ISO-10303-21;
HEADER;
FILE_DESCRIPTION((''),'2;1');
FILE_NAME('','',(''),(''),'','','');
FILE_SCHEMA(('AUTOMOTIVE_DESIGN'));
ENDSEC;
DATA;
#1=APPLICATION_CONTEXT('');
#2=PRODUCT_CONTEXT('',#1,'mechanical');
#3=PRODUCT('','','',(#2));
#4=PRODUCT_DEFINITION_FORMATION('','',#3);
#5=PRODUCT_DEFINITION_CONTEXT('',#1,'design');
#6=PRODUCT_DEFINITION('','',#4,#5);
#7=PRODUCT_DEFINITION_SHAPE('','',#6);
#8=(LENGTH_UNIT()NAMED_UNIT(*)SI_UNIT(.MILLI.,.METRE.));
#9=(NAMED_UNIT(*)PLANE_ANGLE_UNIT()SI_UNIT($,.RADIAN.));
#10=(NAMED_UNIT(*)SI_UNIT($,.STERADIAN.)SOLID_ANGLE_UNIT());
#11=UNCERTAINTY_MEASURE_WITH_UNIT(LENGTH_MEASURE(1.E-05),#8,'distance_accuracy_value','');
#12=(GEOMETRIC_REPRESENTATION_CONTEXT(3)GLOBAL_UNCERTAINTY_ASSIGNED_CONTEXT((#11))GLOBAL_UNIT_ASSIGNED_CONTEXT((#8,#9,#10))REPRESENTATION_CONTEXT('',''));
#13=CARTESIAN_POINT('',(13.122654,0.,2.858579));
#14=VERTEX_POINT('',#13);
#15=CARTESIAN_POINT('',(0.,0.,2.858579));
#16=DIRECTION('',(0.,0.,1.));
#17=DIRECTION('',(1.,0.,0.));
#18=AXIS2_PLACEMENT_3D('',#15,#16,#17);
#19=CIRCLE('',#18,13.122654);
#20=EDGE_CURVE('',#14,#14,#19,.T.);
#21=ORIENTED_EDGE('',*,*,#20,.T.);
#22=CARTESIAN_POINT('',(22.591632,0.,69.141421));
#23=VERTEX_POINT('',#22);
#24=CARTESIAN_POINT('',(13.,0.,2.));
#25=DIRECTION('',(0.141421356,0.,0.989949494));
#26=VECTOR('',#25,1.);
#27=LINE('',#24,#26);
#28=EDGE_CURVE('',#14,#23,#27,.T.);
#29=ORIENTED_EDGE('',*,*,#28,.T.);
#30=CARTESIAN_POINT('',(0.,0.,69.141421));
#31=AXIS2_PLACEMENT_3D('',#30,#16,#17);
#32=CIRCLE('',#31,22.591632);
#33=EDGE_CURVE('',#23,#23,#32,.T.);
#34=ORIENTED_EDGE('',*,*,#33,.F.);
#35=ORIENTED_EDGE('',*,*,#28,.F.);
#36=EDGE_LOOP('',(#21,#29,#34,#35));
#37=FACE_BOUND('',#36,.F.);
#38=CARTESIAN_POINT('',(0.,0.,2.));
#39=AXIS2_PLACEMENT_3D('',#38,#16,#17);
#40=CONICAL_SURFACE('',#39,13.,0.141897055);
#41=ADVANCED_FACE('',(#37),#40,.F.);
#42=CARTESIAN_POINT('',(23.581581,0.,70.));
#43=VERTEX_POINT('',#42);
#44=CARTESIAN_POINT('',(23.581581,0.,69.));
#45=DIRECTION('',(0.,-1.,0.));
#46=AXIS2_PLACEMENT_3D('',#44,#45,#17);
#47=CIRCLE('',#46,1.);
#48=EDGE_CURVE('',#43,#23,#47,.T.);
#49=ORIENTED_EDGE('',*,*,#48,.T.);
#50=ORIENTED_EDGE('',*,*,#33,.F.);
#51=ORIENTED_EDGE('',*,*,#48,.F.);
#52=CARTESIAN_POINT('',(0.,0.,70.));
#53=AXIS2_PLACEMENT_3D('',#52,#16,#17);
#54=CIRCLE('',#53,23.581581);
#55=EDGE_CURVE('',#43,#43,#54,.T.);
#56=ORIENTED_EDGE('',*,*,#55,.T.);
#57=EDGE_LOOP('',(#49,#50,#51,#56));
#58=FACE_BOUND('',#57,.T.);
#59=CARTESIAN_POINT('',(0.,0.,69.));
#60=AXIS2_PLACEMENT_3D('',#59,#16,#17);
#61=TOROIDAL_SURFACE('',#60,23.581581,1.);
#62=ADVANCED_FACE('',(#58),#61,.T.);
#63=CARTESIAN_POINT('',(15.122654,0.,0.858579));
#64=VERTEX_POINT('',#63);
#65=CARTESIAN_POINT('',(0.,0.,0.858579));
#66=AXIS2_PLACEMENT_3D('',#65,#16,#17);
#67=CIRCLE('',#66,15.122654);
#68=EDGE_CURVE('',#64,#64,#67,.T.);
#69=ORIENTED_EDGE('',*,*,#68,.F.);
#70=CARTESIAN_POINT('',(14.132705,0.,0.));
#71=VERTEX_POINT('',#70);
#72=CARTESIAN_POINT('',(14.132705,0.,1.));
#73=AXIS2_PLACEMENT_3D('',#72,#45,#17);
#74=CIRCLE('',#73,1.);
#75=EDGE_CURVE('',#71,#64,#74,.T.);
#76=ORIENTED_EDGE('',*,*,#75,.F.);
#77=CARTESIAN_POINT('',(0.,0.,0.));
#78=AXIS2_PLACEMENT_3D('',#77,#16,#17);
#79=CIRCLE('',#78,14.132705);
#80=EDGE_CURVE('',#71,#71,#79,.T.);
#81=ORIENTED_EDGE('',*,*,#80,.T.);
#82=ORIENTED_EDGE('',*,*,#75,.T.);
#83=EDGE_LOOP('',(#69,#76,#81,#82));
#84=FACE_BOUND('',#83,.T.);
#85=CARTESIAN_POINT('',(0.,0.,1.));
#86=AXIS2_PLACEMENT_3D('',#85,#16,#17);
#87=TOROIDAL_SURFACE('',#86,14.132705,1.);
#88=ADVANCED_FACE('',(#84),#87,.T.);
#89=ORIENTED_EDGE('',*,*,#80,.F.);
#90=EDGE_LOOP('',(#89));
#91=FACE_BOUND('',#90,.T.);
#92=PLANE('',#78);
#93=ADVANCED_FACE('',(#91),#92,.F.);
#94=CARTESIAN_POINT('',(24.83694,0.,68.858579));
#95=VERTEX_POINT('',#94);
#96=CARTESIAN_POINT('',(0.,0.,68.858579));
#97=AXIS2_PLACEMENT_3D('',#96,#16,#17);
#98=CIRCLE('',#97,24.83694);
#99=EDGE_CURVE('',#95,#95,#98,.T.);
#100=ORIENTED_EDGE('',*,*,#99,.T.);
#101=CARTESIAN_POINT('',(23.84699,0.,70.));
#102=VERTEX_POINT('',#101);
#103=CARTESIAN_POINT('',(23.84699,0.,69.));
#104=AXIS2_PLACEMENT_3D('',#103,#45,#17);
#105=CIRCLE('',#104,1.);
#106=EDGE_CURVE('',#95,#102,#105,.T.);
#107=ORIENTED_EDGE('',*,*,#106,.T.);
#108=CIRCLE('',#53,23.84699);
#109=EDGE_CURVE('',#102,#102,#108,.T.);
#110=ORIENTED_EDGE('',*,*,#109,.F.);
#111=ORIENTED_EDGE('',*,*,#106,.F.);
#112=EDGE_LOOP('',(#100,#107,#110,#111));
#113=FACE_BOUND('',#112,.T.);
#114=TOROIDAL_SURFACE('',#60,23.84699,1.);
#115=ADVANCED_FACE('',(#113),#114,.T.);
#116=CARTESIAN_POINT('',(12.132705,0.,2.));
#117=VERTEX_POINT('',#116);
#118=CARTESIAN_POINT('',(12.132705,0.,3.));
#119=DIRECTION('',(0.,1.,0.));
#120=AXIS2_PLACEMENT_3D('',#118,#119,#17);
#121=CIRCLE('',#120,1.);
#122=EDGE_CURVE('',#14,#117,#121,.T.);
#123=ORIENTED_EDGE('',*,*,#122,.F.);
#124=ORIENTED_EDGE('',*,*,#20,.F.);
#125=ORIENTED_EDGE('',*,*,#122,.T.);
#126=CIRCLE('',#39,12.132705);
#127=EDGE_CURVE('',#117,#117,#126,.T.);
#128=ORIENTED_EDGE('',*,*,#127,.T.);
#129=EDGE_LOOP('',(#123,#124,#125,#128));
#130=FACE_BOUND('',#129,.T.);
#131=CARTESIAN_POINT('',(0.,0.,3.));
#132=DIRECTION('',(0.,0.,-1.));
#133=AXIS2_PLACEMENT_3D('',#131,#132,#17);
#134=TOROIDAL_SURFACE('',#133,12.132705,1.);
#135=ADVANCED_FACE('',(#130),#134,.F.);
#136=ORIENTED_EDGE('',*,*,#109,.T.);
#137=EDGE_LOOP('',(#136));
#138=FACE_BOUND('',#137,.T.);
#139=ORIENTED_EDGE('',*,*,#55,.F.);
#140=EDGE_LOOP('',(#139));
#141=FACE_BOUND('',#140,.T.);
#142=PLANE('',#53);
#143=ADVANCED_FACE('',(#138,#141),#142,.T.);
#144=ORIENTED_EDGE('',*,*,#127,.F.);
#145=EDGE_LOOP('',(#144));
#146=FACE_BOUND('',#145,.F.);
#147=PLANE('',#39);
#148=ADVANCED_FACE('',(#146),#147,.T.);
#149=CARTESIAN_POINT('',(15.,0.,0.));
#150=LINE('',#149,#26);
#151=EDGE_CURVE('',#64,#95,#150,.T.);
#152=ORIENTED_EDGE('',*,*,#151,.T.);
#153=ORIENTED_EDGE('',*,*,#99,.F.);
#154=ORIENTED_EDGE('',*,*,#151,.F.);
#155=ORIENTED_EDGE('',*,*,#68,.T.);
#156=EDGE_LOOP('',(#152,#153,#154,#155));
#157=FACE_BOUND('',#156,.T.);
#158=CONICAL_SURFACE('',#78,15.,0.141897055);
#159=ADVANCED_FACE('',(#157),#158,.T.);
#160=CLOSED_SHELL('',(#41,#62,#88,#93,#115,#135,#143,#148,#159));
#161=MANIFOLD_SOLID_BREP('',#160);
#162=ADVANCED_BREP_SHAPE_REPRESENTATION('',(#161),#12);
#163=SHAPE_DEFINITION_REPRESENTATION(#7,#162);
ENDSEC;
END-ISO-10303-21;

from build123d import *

# Parameters (mm, degrees)
FILLET_R = 1


with BuildPart() as cone001:
    # Cone001 → Cone001 (revolve)
    with BuildSketch(Plane(origin=(0, 0, 2), x_dir=(1, 0, 0), z_dir=(0, -1, 0))):
        Polygon((0, 0), (13, 0), (23, 70), (0, 70), align=None)
    revolve(axis=Axis((0, 0, 2), (0, 0, 1)))


with BuildPart() as fillet_body:
    # Cone → Cone (revolve)
    with BuildSketch(Plane.XZ):
        Polygon((0, 0), (15, 0), (25, 70), (0, 70), align=None)
    revolve(axis=Axis((0, 0, 0), (0, 0, 1)))

    # Cut: cut Cone001
    add(cone001.part, mode=Mode.SUBTRACT)

    # Fillet
    fillet_edges = [fillet_body.edges().sort_by_distance(p)[0] for p in [
        (-25, 0, 70),
        (-15, 0, 0),
        (-22.714286, 0, 70),
        (-13, 0, 2),
    ]]
    fillet(fillet_edges, radius=FILLET_R)


solid = fillet_body.part
